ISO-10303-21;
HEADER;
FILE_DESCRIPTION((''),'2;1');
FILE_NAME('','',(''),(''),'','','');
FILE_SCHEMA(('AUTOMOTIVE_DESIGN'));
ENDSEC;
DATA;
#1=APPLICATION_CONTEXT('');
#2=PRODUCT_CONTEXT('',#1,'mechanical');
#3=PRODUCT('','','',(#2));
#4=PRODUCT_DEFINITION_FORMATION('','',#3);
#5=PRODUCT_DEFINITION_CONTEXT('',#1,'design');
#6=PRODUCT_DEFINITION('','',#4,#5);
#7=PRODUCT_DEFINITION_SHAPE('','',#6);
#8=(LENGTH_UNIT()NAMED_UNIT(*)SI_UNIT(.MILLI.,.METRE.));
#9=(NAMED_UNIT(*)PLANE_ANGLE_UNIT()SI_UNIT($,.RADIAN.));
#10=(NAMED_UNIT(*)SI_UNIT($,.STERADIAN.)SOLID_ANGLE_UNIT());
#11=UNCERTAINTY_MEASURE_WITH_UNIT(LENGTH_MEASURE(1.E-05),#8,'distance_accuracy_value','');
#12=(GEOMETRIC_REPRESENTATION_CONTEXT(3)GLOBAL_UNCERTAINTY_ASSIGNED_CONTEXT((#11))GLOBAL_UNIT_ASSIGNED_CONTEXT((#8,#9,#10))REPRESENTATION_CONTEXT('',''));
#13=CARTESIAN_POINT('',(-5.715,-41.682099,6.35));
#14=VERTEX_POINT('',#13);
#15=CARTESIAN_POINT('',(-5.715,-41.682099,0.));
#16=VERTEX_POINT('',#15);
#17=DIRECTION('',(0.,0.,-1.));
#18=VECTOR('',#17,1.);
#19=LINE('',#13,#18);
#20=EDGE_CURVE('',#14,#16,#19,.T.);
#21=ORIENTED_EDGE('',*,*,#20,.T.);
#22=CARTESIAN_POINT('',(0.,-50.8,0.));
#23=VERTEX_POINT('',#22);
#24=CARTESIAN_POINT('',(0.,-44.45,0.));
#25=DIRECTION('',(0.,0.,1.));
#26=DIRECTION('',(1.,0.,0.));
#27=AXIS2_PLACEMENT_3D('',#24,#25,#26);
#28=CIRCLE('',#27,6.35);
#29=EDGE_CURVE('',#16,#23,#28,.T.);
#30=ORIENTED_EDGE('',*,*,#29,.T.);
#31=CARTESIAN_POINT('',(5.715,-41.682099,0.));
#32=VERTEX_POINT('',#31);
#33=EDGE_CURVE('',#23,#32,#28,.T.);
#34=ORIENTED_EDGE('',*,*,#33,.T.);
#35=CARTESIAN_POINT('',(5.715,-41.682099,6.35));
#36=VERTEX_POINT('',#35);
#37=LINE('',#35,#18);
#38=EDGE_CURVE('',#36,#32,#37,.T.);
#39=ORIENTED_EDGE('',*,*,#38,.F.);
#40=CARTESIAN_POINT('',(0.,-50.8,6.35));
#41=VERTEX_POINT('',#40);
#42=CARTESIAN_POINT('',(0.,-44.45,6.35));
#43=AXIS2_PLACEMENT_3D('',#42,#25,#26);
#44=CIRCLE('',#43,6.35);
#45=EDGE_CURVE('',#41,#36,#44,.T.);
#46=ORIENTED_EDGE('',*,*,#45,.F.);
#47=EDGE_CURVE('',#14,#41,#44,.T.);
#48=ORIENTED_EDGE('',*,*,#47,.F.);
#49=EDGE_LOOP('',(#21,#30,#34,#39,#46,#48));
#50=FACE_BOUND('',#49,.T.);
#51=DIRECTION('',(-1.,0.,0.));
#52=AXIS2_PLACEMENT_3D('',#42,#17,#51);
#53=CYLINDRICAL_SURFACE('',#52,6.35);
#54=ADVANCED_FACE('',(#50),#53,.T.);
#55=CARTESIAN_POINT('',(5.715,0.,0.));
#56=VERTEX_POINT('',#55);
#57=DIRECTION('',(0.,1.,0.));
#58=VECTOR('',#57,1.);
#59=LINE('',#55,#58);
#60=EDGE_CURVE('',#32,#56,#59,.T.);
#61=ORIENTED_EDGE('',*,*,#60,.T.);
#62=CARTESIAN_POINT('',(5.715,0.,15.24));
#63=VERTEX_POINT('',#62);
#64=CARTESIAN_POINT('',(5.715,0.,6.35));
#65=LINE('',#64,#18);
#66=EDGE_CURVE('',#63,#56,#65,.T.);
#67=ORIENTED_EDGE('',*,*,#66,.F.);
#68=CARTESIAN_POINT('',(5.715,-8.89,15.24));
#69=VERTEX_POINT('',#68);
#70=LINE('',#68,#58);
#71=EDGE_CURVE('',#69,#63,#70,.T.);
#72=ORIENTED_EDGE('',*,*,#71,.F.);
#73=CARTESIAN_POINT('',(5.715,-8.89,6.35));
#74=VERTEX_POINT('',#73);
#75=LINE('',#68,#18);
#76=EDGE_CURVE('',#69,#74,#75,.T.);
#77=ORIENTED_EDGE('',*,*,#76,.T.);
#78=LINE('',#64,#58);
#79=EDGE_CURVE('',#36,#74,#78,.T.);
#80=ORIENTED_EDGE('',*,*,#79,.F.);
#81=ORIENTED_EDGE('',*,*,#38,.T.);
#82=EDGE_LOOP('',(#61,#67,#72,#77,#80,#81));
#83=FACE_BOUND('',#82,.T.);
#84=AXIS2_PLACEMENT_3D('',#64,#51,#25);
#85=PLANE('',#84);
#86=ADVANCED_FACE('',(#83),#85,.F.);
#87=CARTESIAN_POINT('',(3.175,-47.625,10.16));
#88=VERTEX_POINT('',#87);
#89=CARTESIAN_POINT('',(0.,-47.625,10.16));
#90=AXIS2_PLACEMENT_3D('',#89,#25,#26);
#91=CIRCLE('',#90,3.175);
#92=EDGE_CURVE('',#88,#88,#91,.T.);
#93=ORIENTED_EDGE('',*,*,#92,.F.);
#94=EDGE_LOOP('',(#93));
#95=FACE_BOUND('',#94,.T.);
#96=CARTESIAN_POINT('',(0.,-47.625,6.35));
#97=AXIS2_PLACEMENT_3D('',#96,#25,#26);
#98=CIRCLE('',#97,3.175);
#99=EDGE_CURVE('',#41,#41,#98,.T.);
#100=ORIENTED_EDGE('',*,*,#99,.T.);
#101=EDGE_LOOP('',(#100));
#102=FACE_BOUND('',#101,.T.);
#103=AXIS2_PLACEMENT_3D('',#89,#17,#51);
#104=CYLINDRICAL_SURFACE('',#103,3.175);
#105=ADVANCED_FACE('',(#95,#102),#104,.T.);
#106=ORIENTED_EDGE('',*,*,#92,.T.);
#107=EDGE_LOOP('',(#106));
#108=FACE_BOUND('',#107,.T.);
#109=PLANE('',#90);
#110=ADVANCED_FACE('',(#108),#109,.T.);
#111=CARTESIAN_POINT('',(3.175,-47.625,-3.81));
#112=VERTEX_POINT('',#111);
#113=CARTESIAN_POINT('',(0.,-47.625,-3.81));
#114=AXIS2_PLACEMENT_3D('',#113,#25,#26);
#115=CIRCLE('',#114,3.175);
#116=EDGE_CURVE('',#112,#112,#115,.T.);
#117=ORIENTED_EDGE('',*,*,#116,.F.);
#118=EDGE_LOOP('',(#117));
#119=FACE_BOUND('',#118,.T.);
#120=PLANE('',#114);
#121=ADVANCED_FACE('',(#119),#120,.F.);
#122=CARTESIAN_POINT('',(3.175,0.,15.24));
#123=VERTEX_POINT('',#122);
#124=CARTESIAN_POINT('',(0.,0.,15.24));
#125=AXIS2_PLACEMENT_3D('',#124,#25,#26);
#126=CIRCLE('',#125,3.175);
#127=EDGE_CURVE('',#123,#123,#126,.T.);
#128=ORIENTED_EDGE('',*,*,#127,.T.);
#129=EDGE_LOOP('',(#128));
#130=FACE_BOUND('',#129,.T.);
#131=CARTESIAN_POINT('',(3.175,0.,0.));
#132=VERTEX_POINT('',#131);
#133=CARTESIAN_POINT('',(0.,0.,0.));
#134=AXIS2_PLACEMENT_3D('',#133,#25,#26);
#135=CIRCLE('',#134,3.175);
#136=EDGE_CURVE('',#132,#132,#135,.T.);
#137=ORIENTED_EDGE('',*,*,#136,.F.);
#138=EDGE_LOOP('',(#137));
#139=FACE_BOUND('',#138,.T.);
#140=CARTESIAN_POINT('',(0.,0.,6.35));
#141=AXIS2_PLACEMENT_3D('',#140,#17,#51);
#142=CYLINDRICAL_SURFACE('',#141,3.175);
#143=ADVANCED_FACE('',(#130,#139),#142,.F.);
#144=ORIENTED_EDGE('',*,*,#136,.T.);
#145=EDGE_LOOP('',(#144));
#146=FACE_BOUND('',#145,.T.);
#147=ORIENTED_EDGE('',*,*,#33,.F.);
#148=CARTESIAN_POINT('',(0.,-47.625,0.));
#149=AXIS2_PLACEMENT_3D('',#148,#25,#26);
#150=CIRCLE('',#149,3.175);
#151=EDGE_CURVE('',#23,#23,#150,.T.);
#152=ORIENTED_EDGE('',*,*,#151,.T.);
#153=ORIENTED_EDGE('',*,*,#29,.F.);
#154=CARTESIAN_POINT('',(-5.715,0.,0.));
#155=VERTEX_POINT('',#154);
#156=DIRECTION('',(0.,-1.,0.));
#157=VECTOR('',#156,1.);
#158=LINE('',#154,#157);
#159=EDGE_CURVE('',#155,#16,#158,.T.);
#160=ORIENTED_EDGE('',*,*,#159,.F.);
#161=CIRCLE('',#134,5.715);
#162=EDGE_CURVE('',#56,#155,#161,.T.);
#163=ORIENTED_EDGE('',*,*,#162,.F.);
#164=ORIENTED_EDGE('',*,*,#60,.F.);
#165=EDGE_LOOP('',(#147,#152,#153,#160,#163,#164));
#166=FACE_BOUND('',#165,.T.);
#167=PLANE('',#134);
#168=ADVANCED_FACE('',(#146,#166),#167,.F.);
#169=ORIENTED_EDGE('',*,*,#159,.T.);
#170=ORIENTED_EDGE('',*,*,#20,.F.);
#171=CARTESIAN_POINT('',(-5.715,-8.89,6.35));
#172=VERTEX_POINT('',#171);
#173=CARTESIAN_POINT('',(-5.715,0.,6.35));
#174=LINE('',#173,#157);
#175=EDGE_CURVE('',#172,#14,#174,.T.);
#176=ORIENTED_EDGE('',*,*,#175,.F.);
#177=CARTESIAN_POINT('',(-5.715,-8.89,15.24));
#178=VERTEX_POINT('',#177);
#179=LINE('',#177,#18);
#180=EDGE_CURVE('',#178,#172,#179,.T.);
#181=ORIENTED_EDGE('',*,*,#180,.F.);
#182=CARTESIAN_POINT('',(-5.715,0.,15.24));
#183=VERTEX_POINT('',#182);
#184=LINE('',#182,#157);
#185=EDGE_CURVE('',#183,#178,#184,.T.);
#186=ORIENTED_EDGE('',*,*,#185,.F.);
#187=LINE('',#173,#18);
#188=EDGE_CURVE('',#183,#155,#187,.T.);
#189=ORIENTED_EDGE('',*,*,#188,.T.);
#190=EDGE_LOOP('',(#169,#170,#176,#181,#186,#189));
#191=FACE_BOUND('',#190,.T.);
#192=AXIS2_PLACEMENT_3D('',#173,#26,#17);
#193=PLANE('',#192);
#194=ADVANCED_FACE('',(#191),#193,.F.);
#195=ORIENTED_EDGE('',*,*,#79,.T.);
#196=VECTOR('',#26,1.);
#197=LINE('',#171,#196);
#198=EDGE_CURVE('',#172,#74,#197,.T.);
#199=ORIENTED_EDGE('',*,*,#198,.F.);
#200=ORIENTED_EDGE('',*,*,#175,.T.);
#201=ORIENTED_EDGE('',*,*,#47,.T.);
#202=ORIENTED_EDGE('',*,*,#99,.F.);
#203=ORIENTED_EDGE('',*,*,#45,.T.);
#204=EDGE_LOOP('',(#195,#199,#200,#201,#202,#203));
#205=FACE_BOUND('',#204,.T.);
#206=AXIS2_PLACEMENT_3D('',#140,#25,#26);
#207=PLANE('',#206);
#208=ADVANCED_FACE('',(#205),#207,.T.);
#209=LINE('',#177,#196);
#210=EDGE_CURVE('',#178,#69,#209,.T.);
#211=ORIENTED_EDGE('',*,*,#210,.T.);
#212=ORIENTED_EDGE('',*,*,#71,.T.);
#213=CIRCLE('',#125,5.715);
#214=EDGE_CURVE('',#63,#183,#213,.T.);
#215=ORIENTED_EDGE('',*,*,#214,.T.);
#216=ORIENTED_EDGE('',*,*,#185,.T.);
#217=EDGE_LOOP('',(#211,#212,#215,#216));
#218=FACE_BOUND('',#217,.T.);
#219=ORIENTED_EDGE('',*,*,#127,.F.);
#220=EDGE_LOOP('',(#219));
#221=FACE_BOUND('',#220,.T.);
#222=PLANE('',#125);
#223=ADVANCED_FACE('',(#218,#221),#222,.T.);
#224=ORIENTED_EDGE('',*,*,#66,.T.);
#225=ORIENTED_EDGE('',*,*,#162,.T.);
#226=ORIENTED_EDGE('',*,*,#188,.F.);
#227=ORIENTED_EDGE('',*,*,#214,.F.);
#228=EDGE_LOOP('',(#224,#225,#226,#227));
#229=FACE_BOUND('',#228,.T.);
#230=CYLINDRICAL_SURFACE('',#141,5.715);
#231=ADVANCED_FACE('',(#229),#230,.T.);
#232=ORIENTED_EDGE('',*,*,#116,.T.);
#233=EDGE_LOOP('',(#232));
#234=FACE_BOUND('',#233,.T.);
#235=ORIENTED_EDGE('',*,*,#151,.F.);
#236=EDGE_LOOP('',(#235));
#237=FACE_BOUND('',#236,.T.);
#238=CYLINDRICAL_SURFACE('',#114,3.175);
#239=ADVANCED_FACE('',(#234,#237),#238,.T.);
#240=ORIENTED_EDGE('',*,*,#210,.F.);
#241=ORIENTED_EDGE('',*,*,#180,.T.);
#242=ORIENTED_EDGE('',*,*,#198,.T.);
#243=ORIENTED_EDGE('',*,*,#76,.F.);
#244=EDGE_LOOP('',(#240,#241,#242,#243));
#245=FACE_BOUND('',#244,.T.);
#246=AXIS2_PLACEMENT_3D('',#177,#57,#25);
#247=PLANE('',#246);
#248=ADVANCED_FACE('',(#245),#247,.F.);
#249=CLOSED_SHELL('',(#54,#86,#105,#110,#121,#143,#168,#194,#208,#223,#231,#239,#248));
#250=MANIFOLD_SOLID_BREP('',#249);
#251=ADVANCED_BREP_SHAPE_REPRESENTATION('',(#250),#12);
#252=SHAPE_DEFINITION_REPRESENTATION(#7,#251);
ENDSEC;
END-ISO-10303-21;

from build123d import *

# Parameters (mm, degrees)
SKETCH1_R           = 3.175
BOSS_EXTRUDE1_DEPTH = 6.35
SKETCH2_R           = 3.175
BOSS_EXTRUDE2_DEPTH = 3.81
BOSS_EXTRUDE3_START = -10.16
SKETCH2_2_R         = 3.175
BOSS_EXTRUDE3_DEPTH = 3.81
SKETCH4_R           = 3.175
BOSS_EXTRUDE4_DEPTH = 8.89


with BuildPart() as part:
    # Sketch1 → Boss-Extrude1 (new body)
    with BuildSketch(Plane.XY):
        with BuildLine():
            Line((-5.715, 0), (-5.715, -41.682099171))
            ThreePointArc((-5.715, -41.682099171), (0, -50.8), (5.715, -41.682099171))
            Line((5.715, -41.682099171), (5.715, 0))
            ThreePointArc((5.715, 0), (0, 5.715), (-5.715, 0))
        make_face()
        Circle(SKETCH1_R, mode=Mode.SUBTRACT)
    extrude(amount=BOSS_EXTRUDE1_DEPTH)

    # Sketch2 → Boss-Extrude2 (add)
    with BuildSketch(Plane.XY.offset(6.35)):
        with Locations(Location((0, -47.625, 0), (0, 0, 269.999356937))):
            Circle(SKETCH2_R)
    extrude(amount=BOSS_EXTRUDE2_DEPTH)

    # Sketch2<2> → Boss-Extrude3 (add)
    with BuildSketch(Plane.XY.offset(6.35).offset(BOSS_EXTRUDE3_START)):
        with Locations(Location((0, -47.625, 0), (0, 0, 269.999356937))):
            Circle(SKETCH2_2_R)
    extrude(amount=BOSS_EXTRUDE3_DEPTH)

    # Sketch4 → Boss-Extrude4 (add)
    with BuildSketch(Plane.XY.offset(6.35)):
        with BuildLine():
            Line((-5.715, -8.89), (5.715, -8.89))
            Line((5.715, -8.89), (5.715, 0))
            ThreePointArc((5.715, 0), (0, 5.715), (-5.715, 0))
            Line((-5.715, 0), (-5.715, -8.89))
        make_face()
        Circle(SKETCH4_R, mode=Mode.SUBTRACT)
    extrude(amount=BOSS_EXTRUDE4_DEPTH)


solid = part.part
